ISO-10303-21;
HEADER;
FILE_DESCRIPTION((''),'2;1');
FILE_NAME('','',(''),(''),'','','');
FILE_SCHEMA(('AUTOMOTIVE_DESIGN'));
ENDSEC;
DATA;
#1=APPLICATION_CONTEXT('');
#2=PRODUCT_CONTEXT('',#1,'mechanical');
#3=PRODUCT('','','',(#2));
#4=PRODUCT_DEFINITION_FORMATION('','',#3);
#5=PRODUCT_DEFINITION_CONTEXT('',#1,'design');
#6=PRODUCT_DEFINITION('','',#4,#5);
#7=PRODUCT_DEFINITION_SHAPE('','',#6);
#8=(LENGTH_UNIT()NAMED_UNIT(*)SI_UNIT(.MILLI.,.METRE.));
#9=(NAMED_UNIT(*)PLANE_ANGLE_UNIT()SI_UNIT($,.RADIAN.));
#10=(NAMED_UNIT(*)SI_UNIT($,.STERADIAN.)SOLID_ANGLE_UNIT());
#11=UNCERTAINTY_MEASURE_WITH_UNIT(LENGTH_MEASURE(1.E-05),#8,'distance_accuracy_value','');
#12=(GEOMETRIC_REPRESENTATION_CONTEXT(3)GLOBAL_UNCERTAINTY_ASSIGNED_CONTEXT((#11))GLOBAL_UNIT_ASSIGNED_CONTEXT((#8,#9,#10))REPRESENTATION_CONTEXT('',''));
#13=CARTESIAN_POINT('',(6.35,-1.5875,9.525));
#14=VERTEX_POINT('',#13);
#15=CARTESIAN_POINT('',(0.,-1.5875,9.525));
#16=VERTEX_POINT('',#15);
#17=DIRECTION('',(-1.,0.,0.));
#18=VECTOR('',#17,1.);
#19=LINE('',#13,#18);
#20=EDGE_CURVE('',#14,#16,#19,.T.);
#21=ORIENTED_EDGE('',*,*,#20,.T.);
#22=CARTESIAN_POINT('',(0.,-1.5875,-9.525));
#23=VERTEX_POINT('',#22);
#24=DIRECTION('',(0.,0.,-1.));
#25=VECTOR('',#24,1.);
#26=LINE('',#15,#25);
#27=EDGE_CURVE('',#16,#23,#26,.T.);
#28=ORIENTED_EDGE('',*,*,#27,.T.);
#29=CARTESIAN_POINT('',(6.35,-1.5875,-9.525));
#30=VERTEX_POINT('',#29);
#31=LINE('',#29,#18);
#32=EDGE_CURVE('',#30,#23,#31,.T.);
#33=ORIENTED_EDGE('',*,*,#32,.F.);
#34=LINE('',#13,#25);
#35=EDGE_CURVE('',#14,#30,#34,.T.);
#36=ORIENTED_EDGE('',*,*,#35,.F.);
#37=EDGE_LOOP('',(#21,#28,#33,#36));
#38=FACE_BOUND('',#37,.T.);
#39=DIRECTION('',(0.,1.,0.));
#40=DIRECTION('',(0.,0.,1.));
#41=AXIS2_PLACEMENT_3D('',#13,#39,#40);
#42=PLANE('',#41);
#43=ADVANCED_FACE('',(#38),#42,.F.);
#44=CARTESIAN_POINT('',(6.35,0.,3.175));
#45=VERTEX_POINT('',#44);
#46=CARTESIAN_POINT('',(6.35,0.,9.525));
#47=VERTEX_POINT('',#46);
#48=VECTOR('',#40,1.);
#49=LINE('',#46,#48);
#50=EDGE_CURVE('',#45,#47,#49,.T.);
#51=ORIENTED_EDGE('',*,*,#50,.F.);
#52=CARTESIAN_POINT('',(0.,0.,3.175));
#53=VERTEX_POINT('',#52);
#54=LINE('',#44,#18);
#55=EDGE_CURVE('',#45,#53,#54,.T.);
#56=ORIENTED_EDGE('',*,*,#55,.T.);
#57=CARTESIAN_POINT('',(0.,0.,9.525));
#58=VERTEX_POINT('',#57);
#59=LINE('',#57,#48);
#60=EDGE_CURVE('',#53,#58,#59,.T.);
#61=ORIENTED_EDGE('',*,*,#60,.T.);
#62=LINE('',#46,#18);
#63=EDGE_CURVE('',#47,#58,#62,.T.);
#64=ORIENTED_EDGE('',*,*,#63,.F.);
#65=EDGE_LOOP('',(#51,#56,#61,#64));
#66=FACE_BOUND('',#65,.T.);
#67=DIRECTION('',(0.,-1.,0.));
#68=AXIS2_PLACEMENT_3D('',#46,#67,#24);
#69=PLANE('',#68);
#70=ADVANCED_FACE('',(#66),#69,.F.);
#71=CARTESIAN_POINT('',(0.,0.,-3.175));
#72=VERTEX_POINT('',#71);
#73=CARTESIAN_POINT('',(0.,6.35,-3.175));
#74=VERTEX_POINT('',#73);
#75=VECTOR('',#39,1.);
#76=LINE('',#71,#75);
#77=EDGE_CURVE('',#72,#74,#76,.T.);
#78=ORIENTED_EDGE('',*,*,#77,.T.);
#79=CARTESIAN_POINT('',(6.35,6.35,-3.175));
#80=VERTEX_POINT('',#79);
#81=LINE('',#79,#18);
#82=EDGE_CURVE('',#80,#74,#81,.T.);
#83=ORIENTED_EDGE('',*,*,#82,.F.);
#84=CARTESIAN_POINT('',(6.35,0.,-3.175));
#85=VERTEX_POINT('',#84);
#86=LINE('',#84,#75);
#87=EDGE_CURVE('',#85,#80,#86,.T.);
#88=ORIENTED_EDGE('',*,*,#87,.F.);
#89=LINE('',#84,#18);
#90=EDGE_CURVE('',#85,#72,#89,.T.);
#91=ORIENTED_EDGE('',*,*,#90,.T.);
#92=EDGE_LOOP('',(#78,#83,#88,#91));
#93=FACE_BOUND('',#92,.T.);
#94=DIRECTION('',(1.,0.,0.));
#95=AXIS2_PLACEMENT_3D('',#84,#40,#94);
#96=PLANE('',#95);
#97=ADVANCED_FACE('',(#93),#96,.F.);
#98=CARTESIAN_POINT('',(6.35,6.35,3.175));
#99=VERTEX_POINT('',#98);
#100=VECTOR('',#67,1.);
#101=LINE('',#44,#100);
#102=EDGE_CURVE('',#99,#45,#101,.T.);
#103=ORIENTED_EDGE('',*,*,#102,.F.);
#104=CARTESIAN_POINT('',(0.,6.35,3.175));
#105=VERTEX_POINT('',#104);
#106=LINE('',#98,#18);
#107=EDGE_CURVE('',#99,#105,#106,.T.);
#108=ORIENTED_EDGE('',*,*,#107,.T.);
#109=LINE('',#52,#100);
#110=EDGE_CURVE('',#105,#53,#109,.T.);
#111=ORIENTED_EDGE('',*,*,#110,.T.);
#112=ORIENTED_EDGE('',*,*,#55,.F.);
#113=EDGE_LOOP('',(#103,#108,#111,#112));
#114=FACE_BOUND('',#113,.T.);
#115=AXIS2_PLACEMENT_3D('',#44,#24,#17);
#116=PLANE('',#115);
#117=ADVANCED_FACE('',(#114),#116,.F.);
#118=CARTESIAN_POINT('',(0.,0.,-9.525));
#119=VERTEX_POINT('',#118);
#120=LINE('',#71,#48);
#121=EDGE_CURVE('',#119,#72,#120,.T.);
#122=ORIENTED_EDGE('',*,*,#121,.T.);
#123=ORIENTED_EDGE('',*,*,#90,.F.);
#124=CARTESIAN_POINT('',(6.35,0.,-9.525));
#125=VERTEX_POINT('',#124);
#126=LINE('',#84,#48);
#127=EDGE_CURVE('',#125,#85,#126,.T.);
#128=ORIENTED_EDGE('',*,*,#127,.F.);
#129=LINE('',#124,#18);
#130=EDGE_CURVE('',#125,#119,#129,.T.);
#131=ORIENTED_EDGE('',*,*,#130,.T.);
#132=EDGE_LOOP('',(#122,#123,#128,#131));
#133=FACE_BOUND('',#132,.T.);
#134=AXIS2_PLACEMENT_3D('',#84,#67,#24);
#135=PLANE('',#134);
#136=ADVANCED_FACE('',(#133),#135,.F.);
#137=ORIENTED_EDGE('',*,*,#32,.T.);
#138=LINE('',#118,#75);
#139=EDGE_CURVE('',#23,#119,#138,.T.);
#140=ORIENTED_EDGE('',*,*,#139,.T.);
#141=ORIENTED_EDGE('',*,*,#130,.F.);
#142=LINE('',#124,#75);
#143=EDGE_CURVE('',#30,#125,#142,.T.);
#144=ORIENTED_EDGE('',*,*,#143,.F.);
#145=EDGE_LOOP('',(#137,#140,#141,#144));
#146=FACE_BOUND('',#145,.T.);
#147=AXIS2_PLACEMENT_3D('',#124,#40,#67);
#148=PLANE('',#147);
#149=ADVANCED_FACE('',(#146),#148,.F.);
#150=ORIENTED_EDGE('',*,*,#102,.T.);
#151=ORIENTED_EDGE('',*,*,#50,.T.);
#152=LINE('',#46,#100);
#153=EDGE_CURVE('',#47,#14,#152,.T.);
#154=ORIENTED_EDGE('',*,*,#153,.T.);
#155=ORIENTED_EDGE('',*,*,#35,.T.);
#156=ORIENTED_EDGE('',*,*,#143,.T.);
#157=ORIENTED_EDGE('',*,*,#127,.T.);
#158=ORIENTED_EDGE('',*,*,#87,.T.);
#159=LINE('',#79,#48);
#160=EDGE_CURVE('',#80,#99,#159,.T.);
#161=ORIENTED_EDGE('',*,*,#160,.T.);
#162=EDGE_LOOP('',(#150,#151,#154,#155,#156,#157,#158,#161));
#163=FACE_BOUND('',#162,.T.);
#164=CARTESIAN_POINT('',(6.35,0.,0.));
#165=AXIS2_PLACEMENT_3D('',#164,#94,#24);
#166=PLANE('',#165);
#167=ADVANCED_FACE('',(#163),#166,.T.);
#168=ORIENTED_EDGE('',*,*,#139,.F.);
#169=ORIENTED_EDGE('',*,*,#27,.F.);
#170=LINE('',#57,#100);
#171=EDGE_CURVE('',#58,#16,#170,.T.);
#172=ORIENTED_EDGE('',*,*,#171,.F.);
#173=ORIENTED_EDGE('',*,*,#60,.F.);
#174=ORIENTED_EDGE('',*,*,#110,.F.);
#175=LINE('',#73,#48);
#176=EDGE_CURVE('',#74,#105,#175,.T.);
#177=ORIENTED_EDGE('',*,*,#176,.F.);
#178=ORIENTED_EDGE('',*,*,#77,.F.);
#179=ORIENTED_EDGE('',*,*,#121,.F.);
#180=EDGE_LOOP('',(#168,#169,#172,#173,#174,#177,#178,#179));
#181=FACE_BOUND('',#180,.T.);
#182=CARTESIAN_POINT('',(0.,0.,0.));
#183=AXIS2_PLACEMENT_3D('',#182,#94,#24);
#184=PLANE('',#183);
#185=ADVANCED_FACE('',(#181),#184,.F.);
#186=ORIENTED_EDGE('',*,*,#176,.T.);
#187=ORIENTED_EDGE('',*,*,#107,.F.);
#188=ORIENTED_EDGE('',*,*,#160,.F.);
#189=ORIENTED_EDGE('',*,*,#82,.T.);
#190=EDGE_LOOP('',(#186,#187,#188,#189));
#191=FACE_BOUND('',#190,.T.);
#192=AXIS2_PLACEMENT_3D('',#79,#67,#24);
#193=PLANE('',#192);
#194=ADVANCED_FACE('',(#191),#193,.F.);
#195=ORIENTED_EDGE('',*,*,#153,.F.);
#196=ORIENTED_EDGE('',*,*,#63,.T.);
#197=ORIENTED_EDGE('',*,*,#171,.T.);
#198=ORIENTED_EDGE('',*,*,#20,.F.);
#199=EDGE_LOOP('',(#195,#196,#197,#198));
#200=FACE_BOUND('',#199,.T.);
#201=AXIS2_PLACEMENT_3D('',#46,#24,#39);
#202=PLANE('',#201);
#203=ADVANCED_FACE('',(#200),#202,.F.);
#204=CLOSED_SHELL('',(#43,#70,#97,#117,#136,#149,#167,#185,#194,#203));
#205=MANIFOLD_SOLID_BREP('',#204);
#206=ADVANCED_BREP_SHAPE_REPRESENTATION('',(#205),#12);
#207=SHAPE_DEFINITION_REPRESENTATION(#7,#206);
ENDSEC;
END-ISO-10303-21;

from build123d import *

# Parameters (mm, degrees)
BOSS_EXTRUDE1_DEPTH = 6.35


with BuildPart() as part:
    # Sketch2 → Boss-Extrude1 (new body)
    with BuildSketch(Plane(origin=(0, 0, 0), x_dir=(0, 0, -1), z_dir=(1, 0, 0))):
        Polygon((3.175, 0), (9.525, 0), (9.525, -1.5875), (-9.525, -1.5875), (-9.525, 0), (-3.175, 0), (-3.175, 6.35), (3.175, 6.35), align=None)
    extrude(amount=BOSS_EXTRUDE1_DEPTH)


solid = part.part
